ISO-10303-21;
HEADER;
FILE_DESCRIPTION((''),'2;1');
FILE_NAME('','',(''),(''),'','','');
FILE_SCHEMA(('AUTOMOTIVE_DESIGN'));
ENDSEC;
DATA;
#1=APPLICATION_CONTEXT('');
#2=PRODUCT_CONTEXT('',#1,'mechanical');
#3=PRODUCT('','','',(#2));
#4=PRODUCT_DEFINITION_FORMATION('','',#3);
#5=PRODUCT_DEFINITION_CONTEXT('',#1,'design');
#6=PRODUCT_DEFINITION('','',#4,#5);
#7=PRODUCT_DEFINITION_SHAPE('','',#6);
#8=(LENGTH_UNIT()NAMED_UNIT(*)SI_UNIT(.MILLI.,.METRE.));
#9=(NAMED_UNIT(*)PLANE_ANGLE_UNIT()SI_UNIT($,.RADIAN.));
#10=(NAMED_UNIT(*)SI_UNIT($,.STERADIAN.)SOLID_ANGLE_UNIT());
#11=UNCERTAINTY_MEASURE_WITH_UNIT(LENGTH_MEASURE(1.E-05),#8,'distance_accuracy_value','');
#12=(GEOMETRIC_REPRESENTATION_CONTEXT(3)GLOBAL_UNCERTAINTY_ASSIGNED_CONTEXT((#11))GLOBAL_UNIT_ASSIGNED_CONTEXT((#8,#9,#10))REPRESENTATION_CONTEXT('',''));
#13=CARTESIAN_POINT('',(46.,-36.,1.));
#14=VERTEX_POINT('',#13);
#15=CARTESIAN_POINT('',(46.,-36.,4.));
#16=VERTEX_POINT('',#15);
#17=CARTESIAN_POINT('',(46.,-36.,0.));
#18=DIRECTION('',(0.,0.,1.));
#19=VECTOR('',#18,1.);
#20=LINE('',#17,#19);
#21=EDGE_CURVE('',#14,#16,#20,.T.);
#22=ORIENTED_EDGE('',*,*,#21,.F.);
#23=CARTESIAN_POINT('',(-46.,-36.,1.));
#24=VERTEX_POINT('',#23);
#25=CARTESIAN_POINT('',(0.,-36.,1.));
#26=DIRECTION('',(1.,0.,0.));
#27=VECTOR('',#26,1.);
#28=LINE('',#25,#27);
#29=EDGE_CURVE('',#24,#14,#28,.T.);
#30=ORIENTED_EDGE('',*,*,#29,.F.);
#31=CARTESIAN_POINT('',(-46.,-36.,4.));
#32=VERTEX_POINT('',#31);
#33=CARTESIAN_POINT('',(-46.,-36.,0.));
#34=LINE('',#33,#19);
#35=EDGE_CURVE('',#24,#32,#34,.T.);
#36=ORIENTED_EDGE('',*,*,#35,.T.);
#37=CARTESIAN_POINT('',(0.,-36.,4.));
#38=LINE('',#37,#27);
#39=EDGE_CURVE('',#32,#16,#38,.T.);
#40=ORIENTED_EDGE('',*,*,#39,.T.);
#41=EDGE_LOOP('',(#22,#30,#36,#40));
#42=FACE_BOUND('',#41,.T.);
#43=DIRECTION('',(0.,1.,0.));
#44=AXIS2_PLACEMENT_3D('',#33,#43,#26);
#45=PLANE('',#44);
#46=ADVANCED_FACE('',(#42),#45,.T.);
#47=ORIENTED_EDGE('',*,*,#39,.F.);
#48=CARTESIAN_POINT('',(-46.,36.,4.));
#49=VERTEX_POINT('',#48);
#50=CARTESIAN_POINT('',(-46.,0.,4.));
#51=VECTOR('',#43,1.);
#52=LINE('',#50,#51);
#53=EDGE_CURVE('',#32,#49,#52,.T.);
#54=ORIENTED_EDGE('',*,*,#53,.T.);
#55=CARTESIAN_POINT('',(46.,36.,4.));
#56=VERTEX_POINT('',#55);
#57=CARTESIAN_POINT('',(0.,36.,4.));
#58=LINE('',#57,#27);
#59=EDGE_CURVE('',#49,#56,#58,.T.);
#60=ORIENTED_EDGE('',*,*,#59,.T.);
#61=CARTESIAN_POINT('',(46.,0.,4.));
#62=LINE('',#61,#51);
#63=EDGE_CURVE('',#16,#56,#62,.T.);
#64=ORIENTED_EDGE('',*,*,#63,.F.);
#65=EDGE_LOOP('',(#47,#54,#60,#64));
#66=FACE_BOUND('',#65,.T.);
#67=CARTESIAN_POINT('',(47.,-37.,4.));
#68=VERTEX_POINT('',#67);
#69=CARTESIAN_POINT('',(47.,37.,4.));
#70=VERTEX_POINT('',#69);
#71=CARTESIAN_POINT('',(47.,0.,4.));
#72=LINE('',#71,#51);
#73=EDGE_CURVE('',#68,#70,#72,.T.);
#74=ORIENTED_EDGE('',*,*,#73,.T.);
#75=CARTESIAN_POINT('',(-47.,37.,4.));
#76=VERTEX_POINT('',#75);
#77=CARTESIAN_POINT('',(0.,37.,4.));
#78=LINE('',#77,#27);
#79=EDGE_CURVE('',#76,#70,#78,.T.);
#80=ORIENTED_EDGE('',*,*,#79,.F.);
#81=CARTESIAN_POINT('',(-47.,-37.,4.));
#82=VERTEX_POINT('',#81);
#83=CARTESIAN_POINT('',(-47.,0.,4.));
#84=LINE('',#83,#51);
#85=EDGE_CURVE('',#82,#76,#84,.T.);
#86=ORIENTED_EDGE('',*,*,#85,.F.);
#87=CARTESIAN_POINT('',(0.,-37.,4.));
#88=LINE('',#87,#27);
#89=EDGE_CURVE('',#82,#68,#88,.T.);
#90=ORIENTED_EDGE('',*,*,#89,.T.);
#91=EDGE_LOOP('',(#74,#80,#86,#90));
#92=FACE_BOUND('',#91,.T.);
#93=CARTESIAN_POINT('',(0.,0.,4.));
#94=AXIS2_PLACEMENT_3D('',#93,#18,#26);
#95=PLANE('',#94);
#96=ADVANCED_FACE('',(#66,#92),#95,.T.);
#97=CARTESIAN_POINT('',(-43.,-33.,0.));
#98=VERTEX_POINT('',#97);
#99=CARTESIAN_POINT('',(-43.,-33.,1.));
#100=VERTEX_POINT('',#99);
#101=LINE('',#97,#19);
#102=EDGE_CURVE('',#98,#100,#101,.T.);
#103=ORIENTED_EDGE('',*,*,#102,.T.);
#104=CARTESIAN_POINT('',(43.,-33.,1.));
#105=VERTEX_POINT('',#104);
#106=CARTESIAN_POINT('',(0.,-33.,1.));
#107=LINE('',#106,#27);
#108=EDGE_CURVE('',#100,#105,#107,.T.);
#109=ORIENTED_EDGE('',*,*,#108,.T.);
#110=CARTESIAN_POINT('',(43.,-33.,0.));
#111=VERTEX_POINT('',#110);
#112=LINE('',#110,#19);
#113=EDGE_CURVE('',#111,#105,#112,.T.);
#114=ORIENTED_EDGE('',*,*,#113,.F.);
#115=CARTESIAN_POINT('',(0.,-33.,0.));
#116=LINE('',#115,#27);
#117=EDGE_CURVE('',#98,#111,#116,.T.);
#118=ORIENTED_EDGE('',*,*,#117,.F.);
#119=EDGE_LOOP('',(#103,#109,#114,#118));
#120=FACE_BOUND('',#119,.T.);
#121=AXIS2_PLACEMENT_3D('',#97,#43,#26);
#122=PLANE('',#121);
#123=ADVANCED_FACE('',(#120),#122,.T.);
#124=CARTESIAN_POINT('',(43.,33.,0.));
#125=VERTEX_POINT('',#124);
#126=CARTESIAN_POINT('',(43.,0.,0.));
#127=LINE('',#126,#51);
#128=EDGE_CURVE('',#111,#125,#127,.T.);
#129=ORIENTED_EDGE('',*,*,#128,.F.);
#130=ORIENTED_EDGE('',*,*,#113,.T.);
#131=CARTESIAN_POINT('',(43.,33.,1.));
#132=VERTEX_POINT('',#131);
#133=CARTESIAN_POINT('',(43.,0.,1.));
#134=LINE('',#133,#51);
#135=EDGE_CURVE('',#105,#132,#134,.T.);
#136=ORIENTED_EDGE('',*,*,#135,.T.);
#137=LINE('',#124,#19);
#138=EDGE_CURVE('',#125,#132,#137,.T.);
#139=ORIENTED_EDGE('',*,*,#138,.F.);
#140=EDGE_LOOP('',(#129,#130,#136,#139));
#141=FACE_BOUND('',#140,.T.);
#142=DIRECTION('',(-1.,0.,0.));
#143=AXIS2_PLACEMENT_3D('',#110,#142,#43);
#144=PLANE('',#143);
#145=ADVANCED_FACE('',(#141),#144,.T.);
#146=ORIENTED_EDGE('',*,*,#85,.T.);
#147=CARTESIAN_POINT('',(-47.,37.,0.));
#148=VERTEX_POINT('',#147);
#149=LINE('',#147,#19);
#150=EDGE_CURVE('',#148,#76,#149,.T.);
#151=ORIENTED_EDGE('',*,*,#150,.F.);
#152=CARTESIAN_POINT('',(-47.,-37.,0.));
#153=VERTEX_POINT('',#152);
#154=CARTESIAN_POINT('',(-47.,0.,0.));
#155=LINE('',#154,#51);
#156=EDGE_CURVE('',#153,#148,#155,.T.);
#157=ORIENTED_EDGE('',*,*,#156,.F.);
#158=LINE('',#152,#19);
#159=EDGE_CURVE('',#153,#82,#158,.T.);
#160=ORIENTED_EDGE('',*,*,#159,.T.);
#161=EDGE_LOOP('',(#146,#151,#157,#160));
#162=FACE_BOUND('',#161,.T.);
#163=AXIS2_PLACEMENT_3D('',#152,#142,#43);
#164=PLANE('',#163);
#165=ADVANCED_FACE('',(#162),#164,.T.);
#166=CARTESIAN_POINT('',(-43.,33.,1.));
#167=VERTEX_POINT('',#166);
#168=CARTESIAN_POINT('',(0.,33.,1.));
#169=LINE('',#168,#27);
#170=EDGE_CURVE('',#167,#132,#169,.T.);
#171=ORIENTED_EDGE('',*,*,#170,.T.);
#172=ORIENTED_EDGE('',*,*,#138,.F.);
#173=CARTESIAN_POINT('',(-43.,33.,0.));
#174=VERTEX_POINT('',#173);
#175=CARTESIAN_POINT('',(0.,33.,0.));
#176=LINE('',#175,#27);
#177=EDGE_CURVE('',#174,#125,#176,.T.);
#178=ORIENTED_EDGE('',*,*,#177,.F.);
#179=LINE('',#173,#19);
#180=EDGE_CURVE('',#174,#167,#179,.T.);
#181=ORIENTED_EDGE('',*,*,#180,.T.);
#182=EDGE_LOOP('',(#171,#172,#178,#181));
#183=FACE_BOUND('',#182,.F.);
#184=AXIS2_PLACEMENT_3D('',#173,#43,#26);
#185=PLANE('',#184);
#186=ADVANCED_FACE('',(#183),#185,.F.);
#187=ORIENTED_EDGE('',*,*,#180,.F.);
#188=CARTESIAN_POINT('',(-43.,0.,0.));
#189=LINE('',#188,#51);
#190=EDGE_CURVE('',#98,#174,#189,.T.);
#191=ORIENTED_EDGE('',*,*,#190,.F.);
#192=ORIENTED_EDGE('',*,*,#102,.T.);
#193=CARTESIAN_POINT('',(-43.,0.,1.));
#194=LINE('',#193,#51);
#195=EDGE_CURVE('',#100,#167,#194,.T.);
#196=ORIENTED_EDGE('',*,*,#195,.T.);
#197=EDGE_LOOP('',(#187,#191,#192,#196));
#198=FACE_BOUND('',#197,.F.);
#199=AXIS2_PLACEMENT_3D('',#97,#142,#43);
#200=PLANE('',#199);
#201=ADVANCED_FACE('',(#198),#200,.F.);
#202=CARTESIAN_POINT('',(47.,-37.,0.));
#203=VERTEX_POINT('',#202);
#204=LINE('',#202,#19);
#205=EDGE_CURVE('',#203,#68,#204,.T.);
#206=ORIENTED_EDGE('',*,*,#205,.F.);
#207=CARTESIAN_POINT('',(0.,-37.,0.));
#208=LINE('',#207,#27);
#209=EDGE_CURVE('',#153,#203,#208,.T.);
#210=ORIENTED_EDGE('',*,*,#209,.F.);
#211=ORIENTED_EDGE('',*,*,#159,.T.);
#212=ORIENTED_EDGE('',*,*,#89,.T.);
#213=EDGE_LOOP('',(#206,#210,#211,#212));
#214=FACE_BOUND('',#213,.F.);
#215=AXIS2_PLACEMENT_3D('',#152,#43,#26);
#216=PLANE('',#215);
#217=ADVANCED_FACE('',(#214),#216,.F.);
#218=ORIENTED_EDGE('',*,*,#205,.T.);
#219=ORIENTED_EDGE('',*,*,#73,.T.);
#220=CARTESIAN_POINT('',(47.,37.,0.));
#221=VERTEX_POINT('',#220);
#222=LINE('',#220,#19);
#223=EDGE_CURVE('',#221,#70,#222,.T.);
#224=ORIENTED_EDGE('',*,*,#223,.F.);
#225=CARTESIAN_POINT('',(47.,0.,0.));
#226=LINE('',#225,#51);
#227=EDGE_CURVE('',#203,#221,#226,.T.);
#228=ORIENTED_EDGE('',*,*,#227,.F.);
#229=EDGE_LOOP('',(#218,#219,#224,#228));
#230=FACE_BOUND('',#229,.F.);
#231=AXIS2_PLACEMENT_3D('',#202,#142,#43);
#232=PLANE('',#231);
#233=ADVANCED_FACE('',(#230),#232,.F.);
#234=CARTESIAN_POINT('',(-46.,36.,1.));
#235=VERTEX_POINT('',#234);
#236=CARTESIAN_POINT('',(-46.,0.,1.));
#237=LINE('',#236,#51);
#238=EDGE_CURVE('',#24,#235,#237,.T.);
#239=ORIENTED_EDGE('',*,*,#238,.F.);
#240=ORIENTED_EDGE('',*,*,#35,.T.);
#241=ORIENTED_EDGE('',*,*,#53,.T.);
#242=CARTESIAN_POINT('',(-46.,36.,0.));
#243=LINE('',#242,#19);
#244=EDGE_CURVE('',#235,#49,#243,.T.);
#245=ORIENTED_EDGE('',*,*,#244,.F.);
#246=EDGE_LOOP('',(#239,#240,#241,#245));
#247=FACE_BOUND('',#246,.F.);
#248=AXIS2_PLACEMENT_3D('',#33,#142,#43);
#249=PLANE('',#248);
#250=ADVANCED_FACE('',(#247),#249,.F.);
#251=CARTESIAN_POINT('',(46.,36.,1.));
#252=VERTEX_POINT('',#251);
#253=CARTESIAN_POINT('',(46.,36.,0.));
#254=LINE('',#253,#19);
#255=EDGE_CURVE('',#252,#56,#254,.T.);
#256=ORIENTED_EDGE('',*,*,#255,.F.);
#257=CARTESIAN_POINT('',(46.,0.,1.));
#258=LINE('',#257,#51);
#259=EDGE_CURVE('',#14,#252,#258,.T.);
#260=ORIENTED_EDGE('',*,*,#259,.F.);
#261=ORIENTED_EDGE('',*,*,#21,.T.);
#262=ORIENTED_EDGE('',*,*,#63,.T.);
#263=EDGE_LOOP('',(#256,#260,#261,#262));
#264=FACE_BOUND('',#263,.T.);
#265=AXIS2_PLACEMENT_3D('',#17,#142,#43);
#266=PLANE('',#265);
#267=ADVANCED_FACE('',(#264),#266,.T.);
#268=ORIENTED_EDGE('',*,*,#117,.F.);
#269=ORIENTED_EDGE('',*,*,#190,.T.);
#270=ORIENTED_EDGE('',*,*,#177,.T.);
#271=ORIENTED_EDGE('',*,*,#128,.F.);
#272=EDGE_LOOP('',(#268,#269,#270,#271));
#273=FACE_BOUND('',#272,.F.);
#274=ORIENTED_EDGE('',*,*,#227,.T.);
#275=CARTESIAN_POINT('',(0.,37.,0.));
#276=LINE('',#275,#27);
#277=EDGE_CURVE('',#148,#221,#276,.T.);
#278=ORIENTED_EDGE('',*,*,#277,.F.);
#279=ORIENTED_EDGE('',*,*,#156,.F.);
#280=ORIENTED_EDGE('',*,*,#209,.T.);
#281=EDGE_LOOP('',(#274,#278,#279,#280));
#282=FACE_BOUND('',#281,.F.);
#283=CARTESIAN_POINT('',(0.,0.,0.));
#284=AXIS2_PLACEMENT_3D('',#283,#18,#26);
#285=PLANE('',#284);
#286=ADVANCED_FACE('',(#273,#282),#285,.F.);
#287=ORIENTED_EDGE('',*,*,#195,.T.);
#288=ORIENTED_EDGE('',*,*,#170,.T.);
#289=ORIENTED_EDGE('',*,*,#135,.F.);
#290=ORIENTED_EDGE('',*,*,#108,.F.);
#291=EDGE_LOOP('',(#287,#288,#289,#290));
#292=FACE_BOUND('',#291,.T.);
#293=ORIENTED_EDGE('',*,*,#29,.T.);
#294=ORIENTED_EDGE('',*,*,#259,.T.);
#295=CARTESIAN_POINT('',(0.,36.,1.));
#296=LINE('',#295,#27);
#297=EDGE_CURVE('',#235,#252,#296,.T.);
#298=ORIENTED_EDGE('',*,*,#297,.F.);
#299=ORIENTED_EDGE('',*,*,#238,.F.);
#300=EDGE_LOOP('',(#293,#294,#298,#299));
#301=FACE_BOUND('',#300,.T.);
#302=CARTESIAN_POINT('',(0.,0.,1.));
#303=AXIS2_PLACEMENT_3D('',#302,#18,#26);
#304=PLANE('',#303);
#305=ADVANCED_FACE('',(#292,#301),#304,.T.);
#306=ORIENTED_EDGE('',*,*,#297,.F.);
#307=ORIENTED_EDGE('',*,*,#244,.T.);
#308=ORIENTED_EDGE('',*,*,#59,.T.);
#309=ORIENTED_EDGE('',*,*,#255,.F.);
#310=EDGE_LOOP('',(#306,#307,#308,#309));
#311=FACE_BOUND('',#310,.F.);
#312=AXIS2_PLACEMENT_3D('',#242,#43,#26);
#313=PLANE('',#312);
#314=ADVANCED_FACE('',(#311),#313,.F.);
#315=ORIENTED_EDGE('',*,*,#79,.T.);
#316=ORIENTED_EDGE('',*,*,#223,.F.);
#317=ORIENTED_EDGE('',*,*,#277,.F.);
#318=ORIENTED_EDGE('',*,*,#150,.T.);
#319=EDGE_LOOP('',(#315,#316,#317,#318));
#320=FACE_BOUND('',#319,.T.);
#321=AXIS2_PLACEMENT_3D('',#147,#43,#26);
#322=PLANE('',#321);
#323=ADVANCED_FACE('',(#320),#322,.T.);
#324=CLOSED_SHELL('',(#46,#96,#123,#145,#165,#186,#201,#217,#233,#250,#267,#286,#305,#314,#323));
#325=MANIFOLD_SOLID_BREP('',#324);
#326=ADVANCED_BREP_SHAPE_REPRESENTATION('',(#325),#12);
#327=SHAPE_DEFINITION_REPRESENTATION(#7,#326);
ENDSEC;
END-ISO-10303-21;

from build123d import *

# Parameters (mm, degrees)
F0_W     = 94
F0_H     = 74
F0_W_2   = 92
F0_H_2   = 72
F1_DEPTH = 4
F0_W_3   = 86
F0_H_3   = 66
F2_DEPTH = 1


with BuildPart() as f1:
    # F0 (on Top) → F1 (new body)
    with BuildSketch(Plane.XY):
        Rectangle(F0_W, F0_H)
        Rectangle(F0_W_2, F0_H_2, mode=Mode.SUBTRACT)
    extrude(amount=F1_DEPTH)

    # F0 (on Top) → F2 (join)
    with BuildSketch(Plane.XY):
        Rectangle(F0_W_2, F0_H_2)
        Rectangle(F0_W_3, F0_H_3, mode=Mode.SUBTRACT)
    extrude(amount=F2_DEPTH)


solid = f1.part
